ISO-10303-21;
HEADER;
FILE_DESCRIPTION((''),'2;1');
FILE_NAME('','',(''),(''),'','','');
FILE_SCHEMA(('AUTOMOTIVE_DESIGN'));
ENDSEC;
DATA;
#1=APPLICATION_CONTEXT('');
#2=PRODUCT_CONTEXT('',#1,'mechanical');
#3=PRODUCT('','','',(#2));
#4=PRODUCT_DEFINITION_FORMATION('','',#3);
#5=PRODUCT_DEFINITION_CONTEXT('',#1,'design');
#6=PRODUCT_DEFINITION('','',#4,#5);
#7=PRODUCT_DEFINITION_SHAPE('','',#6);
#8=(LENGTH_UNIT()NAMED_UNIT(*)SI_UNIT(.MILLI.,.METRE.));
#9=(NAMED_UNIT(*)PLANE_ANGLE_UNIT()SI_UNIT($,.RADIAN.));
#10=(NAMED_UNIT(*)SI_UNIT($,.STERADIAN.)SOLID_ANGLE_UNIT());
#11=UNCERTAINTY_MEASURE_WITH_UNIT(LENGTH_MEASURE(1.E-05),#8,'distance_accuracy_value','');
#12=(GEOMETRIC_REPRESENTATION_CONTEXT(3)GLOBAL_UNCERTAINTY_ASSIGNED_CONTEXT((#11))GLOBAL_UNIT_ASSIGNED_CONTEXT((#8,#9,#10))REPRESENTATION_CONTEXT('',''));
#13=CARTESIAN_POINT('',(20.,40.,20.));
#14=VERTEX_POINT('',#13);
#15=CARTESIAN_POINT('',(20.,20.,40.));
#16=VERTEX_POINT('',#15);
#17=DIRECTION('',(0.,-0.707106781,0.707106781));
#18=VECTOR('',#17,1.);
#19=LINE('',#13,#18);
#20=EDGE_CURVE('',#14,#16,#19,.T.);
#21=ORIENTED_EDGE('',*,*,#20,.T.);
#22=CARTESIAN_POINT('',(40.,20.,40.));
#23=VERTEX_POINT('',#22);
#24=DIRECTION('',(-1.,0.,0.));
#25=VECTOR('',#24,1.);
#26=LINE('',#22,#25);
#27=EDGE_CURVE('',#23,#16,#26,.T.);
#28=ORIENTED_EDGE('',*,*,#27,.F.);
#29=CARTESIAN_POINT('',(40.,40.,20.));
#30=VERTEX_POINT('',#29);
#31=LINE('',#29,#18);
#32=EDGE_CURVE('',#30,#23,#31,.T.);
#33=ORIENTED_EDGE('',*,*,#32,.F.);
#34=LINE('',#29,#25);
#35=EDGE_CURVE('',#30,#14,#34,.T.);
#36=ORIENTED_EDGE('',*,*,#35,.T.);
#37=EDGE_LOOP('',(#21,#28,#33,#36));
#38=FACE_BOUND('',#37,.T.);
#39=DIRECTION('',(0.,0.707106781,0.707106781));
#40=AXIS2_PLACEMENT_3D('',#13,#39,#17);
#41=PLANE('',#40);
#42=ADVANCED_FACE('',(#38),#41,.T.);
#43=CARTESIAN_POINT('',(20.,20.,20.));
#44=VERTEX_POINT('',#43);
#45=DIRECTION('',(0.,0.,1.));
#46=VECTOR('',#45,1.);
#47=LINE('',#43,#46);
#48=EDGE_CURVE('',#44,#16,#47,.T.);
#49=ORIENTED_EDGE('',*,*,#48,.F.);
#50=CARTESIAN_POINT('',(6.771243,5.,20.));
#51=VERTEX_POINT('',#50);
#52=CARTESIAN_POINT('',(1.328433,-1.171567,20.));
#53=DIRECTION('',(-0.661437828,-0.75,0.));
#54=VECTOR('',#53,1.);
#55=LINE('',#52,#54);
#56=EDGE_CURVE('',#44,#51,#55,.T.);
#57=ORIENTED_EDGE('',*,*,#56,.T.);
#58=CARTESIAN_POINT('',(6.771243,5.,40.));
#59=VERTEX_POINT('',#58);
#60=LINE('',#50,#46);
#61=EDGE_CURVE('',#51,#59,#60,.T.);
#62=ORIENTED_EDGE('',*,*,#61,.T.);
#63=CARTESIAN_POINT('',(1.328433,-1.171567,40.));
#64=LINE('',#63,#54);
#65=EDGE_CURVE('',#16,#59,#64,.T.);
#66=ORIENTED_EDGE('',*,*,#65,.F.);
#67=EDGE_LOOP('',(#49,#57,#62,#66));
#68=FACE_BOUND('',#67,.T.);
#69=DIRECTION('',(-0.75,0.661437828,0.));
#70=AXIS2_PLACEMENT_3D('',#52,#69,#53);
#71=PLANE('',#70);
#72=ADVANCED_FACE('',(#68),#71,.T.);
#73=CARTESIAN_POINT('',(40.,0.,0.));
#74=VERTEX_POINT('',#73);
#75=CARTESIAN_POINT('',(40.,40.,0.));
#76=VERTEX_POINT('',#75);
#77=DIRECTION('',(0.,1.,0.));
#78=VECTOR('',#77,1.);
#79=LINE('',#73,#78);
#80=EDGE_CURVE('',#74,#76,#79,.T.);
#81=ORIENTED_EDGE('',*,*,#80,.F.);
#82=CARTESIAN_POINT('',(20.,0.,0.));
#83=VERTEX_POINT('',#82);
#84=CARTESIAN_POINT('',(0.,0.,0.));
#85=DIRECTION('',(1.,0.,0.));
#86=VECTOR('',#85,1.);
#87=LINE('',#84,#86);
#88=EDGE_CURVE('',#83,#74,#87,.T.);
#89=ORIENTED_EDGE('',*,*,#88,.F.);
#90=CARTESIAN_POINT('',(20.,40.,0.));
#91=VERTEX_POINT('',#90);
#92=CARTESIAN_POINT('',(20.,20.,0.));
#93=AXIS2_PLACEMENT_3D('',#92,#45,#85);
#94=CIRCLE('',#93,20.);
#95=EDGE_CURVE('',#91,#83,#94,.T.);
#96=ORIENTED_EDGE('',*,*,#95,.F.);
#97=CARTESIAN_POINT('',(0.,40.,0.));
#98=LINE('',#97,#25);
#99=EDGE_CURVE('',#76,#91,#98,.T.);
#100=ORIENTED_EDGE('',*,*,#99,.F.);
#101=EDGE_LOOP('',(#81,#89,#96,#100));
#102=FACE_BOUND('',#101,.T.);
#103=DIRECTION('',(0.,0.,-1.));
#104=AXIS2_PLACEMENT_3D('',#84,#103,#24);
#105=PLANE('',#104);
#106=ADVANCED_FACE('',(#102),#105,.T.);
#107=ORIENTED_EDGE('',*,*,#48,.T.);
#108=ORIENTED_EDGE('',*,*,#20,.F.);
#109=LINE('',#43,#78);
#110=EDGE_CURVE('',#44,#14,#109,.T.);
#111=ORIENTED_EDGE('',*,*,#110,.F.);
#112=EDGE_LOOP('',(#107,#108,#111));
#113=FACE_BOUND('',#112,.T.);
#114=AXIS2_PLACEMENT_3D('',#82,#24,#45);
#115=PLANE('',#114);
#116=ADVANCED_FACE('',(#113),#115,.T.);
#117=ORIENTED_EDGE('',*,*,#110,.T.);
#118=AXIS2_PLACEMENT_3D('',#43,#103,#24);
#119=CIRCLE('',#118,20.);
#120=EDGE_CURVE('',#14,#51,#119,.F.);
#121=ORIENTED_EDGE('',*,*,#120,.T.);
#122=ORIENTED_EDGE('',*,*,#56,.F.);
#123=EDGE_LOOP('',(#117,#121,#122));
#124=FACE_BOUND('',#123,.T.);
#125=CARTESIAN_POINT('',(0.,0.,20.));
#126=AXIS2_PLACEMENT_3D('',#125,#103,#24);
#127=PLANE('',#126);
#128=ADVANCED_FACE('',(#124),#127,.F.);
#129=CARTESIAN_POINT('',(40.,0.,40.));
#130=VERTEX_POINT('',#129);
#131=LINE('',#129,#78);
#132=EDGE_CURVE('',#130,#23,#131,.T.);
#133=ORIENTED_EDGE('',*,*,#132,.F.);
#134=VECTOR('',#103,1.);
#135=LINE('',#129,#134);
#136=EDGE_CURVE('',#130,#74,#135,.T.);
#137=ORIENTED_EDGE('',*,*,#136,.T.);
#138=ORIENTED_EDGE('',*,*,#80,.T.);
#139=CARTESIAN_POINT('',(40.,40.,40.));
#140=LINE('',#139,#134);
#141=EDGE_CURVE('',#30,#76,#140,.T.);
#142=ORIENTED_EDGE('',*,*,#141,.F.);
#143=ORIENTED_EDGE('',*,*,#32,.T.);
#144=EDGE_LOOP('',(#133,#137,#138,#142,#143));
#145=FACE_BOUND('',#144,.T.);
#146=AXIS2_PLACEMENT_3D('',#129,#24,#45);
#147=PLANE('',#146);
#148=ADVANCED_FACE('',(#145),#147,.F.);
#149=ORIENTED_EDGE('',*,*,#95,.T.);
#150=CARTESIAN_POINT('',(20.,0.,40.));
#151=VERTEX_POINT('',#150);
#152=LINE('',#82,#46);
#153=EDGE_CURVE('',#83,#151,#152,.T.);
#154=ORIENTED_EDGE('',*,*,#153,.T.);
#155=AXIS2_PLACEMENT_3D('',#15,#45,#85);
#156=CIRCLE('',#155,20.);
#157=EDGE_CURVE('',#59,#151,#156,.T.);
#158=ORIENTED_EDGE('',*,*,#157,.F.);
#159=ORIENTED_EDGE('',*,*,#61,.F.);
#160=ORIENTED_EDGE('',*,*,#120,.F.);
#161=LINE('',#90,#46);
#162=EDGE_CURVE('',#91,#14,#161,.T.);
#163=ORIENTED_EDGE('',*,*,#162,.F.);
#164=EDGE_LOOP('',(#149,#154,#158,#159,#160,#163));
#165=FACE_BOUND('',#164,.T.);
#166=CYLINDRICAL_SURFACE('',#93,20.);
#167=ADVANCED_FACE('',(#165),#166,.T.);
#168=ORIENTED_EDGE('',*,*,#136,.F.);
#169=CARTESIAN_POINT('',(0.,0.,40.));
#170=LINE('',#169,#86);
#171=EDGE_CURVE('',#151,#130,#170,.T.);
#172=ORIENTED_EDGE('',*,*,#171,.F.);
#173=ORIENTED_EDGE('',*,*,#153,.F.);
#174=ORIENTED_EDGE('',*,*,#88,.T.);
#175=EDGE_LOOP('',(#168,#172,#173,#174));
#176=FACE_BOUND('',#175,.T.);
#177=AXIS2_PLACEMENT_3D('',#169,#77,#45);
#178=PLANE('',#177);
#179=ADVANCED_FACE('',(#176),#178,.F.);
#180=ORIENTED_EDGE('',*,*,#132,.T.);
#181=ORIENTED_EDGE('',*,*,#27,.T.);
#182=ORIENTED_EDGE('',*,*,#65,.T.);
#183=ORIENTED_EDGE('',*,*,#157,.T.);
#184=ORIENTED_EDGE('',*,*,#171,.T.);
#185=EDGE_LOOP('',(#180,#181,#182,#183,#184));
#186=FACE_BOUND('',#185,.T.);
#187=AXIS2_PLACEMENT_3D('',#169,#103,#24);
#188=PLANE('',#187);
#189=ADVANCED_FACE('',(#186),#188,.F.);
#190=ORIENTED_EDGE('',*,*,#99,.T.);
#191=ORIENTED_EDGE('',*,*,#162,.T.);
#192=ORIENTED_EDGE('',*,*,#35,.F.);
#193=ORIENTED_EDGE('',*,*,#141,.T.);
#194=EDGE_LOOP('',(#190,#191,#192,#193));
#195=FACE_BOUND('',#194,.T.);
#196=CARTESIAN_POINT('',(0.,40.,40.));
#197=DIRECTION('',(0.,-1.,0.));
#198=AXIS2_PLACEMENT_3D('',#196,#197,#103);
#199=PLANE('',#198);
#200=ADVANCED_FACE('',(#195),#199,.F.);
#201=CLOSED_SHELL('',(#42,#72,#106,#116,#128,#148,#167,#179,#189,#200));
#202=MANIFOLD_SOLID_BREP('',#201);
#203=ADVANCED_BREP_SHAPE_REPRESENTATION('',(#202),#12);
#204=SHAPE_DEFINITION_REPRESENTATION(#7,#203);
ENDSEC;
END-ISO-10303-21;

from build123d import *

# Parameters (mm, degrees)
SKETCH1_W           = 40
SKETCH1_H           = 40
BOSS_EXTRUDE1_DEPTH = 40
CUT_EXTRUDE1_DEPTH  = 40
SKETCH3_W           = 5
SKETCH3_H           = 20
CUT_EXTRUDE3_DEPTH  = 40
CUT_EXTRUDE4_DEPTH  = 40
SKETCH5_W           = 20
SKETCH5_H           = 20
CUT_EXTRUDE6_DEPTH  = 20
CUT_EXTRUDE8_DEPTH  = 20
BOSS_EXTRUDE3_DEPTH = 20


with BuildPart() as part:
    # Sketch1 → Boss-Extrude1 (new body)
    with BuildSketch(Plane.XY):
        with Locations((20, 20)):
            Rectangle(SKETCH1_W, SKETCH1_H)
    extrude(amount=BOSS_EXTRUDE1_DEPTH)

    # Sketch2 → Cut-Extrude1 (cut)
    with BuildSketch(Plane.XY.offset(40)):
        with BuildLine():
            ThreePointArc((0, 20), (5.857864376, 34.142135624), (20, 40))
            Line((20, 40), (0, 40))
            Line((0, 40), (0, 20))
        make_face()
        with BuildLine():
            ThreePointArc((20, 0), (5.857864376, 5.857864376), (0, 20))
            Line((0, 20), (0, 0))
            Line((0, 0), (20, 0))
        make_face()
    extrude(amount=-CUT_EXTRUDE1_DEPTH, mode=Mode.SUBTRACT)

    # Sketch3 → Cut-Extrude3 (cut)
    with BuildSketch(Plane(origin=(0, 40, 0), x_dir=(1, 0, 0), z_dir=(0, 1, 0))):
        with Locations((2.5, -30)):
            Rectangle(SKETCH3_W, SKETCH3_H)
    extrude(amount=-CUT_EXTRUDE3_DEPTH, mode=Mode.SUBTRACT)

    # Sketch4 → Cut-Extrude4 (cut)
    with BuildSketch(Plane(origin=(0, 0, 0), x_dir=(0, 0, -1), z_dir=(1, 0, 0))):
        Polygon((-20, 40), (-40, 20), (-40, 40), align=None)
    extrude(amount=CUT_EXTRUDE4_DEPTH, mode=Mode.SUBTRACT)

    # Sketch5 → Cut-Extrude6 (cut)
    with BuildSketch(Plane.XY.offset(40)):
        with Locations((30, 30)):
            Rectangle(SKETCH5_W, SKETCH5_H)
    extrude(amount=-CUT_EXTRUDE6_DEPTH, mode=Mode.SUBTRACT)

    # Sketch6 → Cut-Extrude8 (cut)
    with BuildSketch(Plane.XY.offset(40)):
        with BuildLine():
            Line((6.771243445, 5), (20, 20))
            Line((20, 20), (5, 20))
            Line((5, 20), (5, 6.771243445))
            ThreePointArc((5, 6.771243445), (5.857864376, 5.857864376), (6.771243445, 5))
        make_face()
        with BuildLine():
            Line((5, 20), (20, 20))
            Line((20, 20), (20, 40))
            ThreePointArc((20, 40), (1.771243445, 28.228756555), (5, 6.771243445))
            Line((5, 6.771243445), (5, 20))
        make_face()
    extrude(amount=-CUT_EXTRUDE8_DEPTH, mode=Mode.SUBTRACT)

    # Sketch7 → Boss-Extrude3 (add)
    with BuildSketch(Plane(origin=(40, 0, 0), x_dir=(0, 0, -1), z_dir=(1, 0, 0))):
        Polygon((-20, 40), (-40, 20), (-20, 20), align=None)
    extrude(amount=-BOSS_EXTRUDE3_DEPTH)


solid = part.part
